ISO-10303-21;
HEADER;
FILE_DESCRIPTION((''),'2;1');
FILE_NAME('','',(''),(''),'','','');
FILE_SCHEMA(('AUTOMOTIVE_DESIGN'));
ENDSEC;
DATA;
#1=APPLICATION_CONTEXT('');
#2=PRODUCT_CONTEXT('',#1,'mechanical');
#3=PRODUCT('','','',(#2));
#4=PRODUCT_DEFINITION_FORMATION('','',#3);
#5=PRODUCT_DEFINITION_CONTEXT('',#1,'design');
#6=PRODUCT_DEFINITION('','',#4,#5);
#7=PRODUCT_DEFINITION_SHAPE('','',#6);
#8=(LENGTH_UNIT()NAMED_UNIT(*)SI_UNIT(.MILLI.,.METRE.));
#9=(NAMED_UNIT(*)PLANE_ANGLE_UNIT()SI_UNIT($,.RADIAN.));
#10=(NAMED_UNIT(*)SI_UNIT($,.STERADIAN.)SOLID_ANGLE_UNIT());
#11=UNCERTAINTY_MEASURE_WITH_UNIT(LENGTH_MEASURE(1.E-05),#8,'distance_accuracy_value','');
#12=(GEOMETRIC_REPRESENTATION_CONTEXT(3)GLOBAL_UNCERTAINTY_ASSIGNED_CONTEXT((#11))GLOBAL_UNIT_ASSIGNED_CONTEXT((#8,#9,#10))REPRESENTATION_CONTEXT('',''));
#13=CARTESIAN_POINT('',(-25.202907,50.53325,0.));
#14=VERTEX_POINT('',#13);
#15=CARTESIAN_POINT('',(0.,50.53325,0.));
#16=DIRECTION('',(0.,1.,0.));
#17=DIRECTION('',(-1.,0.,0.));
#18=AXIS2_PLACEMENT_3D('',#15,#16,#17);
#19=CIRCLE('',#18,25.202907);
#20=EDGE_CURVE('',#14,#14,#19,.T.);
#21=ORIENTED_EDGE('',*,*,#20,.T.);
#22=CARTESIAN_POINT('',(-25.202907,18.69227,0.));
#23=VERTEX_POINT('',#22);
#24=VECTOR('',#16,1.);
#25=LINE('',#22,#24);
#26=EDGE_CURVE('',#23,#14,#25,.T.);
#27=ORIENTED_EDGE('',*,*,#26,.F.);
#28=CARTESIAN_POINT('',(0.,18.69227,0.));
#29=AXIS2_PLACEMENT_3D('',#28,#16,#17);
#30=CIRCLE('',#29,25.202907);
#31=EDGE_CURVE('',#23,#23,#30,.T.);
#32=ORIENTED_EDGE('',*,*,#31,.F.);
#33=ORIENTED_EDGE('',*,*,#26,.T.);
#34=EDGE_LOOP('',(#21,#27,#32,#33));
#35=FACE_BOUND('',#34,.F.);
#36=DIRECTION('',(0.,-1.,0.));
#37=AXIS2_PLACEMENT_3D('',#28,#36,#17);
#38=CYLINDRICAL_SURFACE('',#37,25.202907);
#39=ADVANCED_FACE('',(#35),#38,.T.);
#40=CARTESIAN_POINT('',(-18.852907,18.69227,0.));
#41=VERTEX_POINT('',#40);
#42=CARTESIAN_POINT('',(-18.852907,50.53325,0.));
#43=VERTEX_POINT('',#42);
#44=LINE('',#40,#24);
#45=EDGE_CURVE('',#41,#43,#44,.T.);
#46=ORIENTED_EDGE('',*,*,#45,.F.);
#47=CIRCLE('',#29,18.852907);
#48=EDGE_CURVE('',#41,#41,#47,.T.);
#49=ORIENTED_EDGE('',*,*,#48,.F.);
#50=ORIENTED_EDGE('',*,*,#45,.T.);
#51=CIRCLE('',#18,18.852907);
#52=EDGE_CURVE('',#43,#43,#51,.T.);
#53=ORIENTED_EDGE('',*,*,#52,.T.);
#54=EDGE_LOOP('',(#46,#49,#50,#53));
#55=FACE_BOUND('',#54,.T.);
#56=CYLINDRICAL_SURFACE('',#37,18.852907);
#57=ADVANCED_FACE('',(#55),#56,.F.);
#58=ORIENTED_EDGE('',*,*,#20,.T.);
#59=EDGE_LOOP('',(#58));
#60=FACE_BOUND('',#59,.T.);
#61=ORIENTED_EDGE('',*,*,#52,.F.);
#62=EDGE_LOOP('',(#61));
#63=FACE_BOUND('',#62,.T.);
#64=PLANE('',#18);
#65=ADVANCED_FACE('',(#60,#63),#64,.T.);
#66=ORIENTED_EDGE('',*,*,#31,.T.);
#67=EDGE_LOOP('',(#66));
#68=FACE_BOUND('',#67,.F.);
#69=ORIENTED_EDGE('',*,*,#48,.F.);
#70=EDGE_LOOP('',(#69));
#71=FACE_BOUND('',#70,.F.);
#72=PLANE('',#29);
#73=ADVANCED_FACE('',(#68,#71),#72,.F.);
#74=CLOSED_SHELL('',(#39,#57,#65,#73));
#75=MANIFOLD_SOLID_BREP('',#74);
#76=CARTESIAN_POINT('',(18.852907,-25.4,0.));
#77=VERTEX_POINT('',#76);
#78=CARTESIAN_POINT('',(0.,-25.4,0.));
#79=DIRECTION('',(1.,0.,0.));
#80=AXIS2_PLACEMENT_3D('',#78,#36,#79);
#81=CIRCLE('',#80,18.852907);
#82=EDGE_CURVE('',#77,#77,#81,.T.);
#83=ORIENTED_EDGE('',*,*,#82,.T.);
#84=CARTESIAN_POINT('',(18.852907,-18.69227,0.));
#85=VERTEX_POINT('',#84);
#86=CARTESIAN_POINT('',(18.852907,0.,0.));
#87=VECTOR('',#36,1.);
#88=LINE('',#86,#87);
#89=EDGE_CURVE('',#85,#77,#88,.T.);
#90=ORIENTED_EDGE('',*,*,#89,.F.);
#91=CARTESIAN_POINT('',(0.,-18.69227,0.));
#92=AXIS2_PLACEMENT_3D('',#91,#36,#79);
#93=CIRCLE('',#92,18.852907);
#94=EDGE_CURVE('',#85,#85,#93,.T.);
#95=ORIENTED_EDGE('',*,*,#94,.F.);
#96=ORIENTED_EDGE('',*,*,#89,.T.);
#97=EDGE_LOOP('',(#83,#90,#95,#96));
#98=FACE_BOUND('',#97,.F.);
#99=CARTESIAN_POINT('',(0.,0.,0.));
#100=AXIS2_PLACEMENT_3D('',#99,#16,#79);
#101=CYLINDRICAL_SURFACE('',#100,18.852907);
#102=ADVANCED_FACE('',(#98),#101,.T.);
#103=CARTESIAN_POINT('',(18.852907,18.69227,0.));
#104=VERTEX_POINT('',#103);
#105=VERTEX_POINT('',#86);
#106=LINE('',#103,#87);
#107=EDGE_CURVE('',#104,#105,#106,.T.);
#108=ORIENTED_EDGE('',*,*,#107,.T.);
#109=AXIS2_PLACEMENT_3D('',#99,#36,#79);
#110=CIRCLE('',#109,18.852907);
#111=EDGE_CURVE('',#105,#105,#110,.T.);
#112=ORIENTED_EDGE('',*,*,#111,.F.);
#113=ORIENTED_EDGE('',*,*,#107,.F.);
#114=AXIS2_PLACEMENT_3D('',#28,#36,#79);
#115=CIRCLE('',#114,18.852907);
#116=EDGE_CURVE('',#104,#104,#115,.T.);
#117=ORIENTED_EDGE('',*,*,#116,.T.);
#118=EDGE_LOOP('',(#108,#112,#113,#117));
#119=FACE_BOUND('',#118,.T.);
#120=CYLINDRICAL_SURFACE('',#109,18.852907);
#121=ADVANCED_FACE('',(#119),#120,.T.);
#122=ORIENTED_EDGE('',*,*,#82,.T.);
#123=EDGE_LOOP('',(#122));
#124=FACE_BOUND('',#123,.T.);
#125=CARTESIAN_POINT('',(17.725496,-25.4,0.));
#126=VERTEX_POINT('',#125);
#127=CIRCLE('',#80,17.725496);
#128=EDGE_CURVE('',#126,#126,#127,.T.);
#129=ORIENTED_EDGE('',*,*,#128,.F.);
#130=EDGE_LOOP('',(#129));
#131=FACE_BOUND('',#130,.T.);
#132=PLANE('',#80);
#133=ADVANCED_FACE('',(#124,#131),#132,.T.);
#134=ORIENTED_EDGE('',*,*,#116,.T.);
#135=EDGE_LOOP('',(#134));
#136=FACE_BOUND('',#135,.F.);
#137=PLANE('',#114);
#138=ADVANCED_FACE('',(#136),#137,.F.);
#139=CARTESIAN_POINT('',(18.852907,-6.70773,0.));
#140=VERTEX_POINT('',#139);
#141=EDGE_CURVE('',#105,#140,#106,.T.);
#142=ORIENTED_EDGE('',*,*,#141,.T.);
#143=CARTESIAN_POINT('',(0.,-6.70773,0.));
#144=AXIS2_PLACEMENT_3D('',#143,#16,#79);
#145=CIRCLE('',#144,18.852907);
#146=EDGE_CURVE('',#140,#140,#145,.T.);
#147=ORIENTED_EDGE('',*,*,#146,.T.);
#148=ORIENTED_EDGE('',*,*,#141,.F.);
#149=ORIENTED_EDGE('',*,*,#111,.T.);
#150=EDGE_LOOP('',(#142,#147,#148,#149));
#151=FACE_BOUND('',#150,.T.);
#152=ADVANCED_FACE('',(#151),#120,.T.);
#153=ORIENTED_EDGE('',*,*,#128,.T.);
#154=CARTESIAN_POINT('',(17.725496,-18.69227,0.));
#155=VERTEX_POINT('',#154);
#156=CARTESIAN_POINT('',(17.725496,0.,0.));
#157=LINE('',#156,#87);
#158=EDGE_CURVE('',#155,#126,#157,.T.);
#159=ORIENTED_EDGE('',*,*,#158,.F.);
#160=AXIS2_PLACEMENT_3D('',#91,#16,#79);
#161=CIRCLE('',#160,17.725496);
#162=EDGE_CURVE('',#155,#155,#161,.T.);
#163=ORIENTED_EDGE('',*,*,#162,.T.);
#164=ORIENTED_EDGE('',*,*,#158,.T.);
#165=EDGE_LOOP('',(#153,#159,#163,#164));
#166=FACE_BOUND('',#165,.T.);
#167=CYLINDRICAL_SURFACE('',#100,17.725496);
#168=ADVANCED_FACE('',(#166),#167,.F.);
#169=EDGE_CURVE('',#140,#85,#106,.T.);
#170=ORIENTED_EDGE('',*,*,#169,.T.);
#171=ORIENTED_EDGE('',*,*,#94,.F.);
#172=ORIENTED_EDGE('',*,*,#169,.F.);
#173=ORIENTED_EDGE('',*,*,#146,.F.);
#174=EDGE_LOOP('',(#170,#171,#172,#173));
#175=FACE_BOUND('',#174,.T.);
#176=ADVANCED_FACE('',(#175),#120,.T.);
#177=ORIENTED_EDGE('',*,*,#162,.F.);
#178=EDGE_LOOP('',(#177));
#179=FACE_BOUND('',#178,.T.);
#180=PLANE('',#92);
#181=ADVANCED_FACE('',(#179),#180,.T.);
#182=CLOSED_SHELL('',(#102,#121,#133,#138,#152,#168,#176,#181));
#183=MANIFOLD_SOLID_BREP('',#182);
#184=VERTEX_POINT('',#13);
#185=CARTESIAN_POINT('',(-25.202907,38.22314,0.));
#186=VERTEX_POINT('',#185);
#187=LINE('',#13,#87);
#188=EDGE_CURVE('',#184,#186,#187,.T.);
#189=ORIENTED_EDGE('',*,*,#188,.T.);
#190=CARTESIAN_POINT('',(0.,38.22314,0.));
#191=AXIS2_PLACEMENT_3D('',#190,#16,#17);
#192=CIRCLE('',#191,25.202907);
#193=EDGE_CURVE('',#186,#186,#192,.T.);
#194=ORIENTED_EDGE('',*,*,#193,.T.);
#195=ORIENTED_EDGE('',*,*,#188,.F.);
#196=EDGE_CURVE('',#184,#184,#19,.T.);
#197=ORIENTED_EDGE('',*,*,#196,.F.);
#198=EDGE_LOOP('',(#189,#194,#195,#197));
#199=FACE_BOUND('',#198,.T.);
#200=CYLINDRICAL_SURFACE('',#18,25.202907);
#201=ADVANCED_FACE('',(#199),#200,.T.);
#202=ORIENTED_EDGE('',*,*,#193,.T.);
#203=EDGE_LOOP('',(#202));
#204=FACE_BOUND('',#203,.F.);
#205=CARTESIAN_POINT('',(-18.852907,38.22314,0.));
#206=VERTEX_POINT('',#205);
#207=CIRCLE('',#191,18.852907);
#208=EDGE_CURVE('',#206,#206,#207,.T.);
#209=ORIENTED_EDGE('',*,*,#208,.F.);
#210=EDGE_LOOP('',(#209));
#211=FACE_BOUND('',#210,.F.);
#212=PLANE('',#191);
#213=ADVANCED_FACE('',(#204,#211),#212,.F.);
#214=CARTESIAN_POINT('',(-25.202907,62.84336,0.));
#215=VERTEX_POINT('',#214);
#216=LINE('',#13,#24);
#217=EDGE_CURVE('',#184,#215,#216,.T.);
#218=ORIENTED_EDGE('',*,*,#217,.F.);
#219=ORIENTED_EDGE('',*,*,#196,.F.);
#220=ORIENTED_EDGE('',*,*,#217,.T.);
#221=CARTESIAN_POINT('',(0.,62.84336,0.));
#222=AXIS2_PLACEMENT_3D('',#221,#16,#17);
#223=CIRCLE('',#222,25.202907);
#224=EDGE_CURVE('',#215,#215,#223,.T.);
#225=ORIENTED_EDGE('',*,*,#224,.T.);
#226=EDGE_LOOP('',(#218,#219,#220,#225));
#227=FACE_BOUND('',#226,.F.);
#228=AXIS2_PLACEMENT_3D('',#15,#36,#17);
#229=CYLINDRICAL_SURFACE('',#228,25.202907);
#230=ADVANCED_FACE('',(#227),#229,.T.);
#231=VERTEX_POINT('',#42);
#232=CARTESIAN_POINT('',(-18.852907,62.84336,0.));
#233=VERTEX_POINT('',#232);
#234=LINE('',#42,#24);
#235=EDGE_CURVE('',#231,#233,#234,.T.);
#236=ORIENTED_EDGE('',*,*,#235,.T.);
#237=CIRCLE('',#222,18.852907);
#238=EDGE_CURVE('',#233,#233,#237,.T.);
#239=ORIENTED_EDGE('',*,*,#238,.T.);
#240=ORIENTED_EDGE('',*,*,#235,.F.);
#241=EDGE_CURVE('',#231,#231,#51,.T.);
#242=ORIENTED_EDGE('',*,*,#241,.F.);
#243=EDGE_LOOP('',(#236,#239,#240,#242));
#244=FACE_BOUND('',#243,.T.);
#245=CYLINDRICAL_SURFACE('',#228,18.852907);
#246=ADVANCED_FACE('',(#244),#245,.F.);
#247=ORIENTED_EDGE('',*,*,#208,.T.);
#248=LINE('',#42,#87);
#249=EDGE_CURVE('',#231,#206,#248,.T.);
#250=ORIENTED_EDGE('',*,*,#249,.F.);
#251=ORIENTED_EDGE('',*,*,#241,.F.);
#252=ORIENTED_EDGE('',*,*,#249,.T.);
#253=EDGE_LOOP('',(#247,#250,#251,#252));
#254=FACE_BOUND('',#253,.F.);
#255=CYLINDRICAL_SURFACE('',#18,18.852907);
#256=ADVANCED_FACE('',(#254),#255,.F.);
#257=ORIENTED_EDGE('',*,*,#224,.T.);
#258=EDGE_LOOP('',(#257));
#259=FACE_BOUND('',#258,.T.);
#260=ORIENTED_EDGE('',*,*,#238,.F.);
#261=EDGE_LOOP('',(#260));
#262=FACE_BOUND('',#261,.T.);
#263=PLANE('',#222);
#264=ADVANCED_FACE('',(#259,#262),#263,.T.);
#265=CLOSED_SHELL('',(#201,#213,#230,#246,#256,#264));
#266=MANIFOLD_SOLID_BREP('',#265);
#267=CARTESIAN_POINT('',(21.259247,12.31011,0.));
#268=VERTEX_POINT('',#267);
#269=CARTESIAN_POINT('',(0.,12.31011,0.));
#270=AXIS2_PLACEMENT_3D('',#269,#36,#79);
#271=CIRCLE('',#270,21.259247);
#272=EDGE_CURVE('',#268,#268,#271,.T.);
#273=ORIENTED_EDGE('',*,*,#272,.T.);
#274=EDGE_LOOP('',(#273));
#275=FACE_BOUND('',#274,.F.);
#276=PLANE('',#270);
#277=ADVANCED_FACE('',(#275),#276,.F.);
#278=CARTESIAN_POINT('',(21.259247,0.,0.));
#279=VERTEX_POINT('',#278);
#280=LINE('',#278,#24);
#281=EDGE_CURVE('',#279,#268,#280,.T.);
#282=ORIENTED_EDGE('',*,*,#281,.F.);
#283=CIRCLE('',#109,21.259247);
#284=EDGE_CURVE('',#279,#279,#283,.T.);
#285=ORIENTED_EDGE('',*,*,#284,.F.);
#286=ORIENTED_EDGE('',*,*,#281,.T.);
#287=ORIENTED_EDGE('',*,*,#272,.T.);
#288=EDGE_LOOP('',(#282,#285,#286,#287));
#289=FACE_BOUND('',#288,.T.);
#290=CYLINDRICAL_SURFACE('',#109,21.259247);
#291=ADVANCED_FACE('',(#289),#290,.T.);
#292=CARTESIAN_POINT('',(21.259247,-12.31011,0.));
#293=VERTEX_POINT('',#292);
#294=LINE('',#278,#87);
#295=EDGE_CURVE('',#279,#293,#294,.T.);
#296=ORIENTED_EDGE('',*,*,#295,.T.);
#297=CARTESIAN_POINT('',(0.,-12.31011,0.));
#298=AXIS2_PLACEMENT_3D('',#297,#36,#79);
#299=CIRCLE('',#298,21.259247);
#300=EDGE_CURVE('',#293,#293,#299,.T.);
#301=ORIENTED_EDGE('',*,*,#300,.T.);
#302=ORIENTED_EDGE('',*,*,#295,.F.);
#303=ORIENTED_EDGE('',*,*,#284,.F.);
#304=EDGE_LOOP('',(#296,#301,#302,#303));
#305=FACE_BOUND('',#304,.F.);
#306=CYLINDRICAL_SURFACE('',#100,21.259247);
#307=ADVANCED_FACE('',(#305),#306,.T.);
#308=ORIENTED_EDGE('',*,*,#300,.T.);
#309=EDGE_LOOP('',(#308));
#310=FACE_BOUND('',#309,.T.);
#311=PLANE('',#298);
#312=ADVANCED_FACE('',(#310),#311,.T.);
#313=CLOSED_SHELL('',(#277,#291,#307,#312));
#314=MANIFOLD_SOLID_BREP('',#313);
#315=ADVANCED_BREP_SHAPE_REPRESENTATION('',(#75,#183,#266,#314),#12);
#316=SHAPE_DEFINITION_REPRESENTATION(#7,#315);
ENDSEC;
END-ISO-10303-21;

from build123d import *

# Parameters (mm, degrees)
F0_R        = 18.852906591
F0_R_2      = 17.7254963778
F1_DEPTH    = 18.69227
F1_FACE_R   = 18.852906591
F2_DEPTH    = 25.4
F3_R        = 25.202906591
F3_R_2      = 18.852906591
F4_DEPTH    = 31.84098
F5_R        = 21.2592466673
F4_FACE_R   = 25.202906591
F4_FACE_R_2 = 18.852906591
F6_DEPTH    = 12.31011


with BuildPart() as f1:
    # F0 (on Front) → F1 (new body, symmetric)
    with BuildSketch(Plane.XZ):
        Circle(F0_R)
        Circle(F0_R_2, mode=Mode.SUBTRACT)
        Circle(F0_R_2)
    extrude(amount=F1_DEPTH, both=True)

    # F0 (on Front) + F1_face (on face) → F2 (join)
    with BuildSketch(Plane.XZ):
        Circle(F0_R)
        Circle(F0_R_2, mode=Mode.SUBTRACT)
    with BuildSketch(Plane(origin=(0, 18.69227, 0), x_dir=(1, 0, 0), z_dir=(0, 1, 0))):
        Circle(F1_FACE_R)
    extrude(amount=F2_DEPTH, dir=(0, -1, 0))


with BuildPart() as f4:
    # F3 (on face) → F4 (new body)
    with BuildSketch(Plane(origin=(0, 18.69227, 0), x_dir=(-1, 0, 0), z_dir=(0, 1, 0))):
        Circle(F3_R)
        Circle(F3_R_2, mode=Mode.SUBTRACT)
    extrude(amount=F4_DEPTH)


with BuildPart() as f6:
    # F5 (on Front) + F4_face (on face) → F6 (new body, symmetric)
    with BuildSketch(Plane.XZ):
        Circle(F5_R)
    with BuildSketch(Plane(origin=(0, 50.53325, 0), x_dir=(-1, 0, 0), z_dir=(0, 1, 0))):
        Circle(F4_FACE_R)
        Circle(F4_FACE_R_2, mode=Mode.SUBTRACT)
    extrude(amount=F6_DEPTH, both=True, dir=(0, -1, 0))


solid = Compound([f1.part, f4.part, f6.part])
